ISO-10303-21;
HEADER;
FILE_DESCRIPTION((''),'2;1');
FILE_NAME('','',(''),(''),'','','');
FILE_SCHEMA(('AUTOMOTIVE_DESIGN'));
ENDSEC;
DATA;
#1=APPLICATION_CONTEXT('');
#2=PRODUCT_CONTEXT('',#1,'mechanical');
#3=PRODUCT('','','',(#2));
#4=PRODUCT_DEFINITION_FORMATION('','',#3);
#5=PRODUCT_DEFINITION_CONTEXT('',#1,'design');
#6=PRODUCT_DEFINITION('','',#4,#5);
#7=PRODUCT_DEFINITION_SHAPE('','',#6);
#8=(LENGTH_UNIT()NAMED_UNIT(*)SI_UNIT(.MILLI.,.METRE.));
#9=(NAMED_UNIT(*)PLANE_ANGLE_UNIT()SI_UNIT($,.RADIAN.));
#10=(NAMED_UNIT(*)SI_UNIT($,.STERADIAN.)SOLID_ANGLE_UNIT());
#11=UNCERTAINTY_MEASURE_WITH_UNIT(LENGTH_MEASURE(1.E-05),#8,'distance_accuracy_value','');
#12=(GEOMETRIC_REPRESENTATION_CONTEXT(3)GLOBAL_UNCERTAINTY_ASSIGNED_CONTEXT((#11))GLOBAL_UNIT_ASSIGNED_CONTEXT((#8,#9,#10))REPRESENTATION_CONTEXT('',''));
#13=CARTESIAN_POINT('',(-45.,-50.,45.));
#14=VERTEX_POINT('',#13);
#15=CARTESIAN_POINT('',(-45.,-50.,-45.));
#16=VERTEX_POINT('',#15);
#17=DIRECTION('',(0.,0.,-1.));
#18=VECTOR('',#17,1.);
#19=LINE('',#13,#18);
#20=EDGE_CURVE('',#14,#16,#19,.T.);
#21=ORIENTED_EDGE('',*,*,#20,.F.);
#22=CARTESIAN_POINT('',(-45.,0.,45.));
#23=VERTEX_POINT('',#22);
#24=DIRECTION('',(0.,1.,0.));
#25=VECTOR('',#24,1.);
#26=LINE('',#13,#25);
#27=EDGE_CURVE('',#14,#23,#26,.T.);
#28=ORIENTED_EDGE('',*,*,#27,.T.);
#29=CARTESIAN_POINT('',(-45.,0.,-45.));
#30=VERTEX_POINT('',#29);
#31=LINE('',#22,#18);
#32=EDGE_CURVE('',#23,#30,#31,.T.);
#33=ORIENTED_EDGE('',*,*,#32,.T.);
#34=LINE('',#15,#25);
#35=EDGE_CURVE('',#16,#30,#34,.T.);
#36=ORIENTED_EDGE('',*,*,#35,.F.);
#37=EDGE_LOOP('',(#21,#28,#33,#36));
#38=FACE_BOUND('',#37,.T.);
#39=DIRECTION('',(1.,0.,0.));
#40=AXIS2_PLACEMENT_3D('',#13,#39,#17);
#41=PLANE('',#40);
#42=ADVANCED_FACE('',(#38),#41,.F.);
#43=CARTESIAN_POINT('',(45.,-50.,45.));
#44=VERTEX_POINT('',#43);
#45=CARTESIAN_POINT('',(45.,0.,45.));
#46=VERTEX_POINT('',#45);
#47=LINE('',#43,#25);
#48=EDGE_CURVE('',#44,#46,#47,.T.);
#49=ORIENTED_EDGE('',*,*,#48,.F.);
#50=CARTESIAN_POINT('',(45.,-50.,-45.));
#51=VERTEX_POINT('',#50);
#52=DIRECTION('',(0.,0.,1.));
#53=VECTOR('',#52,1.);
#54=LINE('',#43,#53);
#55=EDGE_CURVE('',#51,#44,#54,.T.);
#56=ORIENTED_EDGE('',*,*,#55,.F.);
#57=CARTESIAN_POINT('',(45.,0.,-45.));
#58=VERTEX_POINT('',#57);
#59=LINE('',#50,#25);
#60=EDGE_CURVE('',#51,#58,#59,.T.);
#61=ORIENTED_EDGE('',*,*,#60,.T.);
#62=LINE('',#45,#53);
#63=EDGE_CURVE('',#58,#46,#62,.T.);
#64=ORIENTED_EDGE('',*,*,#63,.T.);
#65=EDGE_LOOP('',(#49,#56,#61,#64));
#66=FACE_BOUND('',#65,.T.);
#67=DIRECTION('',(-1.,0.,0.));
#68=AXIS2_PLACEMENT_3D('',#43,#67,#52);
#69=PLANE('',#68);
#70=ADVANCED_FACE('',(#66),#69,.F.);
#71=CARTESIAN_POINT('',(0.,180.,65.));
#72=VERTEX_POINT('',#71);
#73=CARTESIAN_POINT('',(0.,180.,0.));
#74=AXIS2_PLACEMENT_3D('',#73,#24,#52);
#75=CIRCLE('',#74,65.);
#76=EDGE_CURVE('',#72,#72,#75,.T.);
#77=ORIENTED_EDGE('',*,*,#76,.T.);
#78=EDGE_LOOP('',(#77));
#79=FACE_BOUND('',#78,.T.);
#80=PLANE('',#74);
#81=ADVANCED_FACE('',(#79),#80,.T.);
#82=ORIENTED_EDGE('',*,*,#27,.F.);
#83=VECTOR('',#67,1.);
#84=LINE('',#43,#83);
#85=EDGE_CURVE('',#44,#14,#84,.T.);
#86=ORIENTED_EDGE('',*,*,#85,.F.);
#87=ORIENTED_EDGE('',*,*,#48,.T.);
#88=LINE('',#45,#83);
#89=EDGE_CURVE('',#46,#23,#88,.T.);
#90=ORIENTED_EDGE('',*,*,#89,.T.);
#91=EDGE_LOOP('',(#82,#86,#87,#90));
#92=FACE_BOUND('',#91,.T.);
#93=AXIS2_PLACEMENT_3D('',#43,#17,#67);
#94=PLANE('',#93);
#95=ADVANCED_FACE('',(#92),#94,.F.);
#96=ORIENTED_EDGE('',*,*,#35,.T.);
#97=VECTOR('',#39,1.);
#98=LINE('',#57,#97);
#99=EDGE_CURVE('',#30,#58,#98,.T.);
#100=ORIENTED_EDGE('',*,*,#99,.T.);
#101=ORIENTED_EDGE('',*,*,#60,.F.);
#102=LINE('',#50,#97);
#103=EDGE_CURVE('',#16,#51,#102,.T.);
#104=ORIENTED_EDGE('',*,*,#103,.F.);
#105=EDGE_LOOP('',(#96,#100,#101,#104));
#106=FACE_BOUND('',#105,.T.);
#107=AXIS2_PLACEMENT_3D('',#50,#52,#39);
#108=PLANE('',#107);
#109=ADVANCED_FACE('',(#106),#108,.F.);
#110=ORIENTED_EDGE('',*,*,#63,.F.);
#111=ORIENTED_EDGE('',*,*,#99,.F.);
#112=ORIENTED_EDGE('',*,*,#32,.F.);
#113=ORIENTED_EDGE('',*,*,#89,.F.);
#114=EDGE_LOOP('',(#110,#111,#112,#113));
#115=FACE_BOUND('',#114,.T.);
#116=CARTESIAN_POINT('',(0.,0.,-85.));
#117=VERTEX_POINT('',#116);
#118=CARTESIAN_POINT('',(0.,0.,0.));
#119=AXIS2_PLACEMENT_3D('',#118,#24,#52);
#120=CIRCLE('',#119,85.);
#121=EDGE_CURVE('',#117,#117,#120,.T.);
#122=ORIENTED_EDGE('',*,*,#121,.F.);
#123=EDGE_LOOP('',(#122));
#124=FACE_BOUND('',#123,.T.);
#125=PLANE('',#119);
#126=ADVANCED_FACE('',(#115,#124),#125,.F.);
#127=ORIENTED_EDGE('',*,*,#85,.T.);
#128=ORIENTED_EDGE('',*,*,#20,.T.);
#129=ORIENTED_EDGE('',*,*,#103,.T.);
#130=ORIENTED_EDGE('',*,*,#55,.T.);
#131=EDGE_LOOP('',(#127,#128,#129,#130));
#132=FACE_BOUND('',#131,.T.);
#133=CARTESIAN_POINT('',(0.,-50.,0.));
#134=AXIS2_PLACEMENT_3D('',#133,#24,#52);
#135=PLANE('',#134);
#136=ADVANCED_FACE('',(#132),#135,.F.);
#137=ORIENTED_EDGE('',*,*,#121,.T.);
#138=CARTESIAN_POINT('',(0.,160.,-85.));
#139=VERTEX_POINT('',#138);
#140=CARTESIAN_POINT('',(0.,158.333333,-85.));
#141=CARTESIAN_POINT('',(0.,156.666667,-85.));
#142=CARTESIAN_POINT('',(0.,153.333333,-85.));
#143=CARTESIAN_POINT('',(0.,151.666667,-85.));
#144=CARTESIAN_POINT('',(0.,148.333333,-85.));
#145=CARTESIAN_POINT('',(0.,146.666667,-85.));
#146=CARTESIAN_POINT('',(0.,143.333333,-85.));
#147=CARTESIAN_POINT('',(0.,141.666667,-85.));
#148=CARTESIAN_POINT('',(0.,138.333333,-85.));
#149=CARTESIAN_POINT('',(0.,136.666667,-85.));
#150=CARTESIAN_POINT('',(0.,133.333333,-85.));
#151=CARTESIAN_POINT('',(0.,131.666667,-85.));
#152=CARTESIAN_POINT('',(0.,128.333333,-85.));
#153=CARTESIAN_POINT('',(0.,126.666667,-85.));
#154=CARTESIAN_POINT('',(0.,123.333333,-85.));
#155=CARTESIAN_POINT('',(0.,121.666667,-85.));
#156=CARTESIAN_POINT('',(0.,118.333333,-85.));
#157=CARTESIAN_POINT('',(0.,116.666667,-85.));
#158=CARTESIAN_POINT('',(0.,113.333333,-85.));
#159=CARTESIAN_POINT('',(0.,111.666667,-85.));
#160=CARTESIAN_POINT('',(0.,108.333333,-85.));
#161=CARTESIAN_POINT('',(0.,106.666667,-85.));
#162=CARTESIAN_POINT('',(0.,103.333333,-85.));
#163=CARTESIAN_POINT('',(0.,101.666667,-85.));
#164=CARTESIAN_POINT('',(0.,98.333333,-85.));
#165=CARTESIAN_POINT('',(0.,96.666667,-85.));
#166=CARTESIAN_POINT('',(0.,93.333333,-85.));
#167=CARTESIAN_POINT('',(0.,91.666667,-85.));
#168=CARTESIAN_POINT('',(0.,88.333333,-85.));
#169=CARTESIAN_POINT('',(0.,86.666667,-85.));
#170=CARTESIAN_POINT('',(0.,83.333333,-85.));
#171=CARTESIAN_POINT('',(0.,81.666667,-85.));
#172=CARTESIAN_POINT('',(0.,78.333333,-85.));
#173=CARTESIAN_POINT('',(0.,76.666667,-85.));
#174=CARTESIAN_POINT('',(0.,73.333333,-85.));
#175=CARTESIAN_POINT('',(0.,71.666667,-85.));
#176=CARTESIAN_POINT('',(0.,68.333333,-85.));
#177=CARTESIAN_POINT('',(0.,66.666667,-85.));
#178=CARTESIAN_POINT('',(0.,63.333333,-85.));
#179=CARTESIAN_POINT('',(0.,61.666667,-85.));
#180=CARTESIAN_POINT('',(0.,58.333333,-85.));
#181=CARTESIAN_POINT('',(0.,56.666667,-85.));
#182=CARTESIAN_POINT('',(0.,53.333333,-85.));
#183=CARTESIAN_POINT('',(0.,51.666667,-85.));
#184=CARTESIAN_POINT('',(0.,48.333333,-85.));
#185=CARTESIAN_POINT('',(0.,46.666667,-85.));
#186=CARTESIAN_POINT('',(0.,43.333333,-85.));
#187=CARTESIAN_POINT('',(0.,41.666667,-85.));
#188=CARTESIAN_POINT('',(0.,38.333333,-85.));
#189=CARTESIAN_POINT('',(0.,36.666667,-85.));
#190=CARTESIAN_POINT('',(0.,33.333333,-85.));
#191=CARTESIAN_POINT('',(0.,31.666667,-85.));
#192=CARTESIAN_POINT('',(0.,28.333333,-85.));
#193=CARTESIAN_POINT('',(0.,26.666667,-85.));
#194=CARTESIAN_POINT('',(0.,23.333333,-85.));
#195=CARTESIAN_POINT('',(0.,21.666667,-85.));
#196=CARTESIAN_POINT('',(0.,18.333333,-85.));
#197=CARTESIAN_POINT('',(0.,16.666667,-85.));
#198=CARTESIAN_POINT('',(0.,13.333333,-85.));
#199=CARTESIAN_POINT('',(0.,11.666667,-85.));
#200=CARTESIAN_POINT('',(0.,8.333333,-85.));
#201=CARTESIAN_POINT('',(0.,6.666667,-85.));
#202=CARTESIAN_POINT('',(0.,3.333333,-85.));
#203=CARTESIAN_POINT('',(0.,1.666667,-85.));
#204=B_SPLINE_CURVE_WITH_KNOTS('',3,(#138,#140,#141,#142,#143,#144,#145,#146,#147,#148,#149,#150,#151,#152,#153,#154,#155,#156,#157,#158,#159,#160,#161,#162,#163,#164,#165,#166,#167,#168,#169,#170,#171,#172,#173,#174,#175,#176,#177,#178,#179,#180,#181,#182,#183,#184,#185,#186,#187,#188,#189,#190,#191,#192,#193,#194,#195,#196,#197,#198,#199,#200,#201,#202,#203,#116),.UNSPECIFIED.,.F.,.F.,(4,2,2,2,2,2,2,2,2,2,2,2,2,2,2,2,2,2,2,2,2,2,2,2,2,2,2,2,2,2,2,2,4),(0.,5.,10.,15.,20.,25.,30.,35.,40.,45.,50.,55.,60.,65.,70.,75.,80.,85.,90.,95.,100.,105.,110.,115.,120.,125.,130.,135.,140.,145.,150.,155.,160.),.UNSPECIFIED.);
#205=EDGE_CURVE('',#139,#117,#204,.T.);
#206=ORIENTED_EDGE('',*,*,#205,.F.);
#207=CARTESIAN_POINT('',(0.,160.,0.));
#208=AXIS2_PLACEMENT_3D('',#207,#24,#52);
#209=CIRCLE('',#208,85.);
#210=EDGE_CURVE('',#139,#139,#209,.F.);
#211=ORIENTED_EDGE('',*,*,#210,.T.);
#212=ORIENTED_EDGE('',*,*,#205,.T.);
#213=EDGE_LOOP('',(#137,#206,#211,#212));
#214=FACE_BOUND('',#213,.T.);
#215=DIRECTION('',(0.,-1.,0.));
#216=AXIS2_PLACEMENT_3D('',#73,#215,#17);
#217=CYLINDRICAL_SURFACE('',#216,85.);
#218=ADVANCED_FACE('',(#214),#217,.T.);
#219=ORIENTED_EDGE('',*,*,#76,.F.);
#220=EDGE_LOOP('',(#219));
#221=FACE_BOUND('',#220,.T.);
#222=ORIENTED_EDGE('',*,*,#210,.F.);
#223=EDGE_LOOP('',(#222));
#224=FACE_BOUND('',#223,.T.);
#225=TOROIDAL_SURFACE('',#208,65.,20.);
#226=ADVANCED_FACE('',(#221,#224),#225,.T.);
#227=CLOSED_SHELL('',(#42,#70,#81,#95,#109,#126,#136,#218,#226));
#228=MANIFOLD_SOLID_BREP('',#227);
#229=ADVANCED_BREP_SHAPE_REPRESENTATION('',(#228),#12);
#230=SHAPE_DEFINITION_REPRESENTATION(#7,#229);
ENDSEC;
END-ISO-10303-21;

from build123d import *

# Parameters (mm, degrees)
SKETCH1_R           = 85
BOSS_EXTRUDE2_DEPTH = 180
SKETCH2_W           = 90
SKETCH2_H           = 90
BOSS_EXTRUDE3_DEPTH = 50
FILLET1_R           = 20


with BuildPart() as part:
    # Sketch1 → Boss-Extrude2 (new body)
    with BuildSketch(Plane(origin=(0, 0, 0), x_dir=(1, 0, 0), z_dir=(0, 1, 0))):
        with Locations(Location((0, 0, 0), (0, 0, 90))):
            Circle(SKETCH1_R)
    extrude(amount=BOSS_EXTRUDE2_DEPTH)

    # Sketch2 → Boss-Extrude3 (add)
    with BuildSketch(Plane.XZ):
        Rectangle(SKETCH2_W, SKETCH2_H)
    extrude(amount=BOSS_EXTRUDE3_DEPTH)

    # Fillet1
    fillet1_edges = [part.edges().sort_by_distance(p)[0] for p in [
        (0, 180, 85),
    ]]
    fillet(fillet1_edges, radius=FILLET1_R)


solid = part.part
